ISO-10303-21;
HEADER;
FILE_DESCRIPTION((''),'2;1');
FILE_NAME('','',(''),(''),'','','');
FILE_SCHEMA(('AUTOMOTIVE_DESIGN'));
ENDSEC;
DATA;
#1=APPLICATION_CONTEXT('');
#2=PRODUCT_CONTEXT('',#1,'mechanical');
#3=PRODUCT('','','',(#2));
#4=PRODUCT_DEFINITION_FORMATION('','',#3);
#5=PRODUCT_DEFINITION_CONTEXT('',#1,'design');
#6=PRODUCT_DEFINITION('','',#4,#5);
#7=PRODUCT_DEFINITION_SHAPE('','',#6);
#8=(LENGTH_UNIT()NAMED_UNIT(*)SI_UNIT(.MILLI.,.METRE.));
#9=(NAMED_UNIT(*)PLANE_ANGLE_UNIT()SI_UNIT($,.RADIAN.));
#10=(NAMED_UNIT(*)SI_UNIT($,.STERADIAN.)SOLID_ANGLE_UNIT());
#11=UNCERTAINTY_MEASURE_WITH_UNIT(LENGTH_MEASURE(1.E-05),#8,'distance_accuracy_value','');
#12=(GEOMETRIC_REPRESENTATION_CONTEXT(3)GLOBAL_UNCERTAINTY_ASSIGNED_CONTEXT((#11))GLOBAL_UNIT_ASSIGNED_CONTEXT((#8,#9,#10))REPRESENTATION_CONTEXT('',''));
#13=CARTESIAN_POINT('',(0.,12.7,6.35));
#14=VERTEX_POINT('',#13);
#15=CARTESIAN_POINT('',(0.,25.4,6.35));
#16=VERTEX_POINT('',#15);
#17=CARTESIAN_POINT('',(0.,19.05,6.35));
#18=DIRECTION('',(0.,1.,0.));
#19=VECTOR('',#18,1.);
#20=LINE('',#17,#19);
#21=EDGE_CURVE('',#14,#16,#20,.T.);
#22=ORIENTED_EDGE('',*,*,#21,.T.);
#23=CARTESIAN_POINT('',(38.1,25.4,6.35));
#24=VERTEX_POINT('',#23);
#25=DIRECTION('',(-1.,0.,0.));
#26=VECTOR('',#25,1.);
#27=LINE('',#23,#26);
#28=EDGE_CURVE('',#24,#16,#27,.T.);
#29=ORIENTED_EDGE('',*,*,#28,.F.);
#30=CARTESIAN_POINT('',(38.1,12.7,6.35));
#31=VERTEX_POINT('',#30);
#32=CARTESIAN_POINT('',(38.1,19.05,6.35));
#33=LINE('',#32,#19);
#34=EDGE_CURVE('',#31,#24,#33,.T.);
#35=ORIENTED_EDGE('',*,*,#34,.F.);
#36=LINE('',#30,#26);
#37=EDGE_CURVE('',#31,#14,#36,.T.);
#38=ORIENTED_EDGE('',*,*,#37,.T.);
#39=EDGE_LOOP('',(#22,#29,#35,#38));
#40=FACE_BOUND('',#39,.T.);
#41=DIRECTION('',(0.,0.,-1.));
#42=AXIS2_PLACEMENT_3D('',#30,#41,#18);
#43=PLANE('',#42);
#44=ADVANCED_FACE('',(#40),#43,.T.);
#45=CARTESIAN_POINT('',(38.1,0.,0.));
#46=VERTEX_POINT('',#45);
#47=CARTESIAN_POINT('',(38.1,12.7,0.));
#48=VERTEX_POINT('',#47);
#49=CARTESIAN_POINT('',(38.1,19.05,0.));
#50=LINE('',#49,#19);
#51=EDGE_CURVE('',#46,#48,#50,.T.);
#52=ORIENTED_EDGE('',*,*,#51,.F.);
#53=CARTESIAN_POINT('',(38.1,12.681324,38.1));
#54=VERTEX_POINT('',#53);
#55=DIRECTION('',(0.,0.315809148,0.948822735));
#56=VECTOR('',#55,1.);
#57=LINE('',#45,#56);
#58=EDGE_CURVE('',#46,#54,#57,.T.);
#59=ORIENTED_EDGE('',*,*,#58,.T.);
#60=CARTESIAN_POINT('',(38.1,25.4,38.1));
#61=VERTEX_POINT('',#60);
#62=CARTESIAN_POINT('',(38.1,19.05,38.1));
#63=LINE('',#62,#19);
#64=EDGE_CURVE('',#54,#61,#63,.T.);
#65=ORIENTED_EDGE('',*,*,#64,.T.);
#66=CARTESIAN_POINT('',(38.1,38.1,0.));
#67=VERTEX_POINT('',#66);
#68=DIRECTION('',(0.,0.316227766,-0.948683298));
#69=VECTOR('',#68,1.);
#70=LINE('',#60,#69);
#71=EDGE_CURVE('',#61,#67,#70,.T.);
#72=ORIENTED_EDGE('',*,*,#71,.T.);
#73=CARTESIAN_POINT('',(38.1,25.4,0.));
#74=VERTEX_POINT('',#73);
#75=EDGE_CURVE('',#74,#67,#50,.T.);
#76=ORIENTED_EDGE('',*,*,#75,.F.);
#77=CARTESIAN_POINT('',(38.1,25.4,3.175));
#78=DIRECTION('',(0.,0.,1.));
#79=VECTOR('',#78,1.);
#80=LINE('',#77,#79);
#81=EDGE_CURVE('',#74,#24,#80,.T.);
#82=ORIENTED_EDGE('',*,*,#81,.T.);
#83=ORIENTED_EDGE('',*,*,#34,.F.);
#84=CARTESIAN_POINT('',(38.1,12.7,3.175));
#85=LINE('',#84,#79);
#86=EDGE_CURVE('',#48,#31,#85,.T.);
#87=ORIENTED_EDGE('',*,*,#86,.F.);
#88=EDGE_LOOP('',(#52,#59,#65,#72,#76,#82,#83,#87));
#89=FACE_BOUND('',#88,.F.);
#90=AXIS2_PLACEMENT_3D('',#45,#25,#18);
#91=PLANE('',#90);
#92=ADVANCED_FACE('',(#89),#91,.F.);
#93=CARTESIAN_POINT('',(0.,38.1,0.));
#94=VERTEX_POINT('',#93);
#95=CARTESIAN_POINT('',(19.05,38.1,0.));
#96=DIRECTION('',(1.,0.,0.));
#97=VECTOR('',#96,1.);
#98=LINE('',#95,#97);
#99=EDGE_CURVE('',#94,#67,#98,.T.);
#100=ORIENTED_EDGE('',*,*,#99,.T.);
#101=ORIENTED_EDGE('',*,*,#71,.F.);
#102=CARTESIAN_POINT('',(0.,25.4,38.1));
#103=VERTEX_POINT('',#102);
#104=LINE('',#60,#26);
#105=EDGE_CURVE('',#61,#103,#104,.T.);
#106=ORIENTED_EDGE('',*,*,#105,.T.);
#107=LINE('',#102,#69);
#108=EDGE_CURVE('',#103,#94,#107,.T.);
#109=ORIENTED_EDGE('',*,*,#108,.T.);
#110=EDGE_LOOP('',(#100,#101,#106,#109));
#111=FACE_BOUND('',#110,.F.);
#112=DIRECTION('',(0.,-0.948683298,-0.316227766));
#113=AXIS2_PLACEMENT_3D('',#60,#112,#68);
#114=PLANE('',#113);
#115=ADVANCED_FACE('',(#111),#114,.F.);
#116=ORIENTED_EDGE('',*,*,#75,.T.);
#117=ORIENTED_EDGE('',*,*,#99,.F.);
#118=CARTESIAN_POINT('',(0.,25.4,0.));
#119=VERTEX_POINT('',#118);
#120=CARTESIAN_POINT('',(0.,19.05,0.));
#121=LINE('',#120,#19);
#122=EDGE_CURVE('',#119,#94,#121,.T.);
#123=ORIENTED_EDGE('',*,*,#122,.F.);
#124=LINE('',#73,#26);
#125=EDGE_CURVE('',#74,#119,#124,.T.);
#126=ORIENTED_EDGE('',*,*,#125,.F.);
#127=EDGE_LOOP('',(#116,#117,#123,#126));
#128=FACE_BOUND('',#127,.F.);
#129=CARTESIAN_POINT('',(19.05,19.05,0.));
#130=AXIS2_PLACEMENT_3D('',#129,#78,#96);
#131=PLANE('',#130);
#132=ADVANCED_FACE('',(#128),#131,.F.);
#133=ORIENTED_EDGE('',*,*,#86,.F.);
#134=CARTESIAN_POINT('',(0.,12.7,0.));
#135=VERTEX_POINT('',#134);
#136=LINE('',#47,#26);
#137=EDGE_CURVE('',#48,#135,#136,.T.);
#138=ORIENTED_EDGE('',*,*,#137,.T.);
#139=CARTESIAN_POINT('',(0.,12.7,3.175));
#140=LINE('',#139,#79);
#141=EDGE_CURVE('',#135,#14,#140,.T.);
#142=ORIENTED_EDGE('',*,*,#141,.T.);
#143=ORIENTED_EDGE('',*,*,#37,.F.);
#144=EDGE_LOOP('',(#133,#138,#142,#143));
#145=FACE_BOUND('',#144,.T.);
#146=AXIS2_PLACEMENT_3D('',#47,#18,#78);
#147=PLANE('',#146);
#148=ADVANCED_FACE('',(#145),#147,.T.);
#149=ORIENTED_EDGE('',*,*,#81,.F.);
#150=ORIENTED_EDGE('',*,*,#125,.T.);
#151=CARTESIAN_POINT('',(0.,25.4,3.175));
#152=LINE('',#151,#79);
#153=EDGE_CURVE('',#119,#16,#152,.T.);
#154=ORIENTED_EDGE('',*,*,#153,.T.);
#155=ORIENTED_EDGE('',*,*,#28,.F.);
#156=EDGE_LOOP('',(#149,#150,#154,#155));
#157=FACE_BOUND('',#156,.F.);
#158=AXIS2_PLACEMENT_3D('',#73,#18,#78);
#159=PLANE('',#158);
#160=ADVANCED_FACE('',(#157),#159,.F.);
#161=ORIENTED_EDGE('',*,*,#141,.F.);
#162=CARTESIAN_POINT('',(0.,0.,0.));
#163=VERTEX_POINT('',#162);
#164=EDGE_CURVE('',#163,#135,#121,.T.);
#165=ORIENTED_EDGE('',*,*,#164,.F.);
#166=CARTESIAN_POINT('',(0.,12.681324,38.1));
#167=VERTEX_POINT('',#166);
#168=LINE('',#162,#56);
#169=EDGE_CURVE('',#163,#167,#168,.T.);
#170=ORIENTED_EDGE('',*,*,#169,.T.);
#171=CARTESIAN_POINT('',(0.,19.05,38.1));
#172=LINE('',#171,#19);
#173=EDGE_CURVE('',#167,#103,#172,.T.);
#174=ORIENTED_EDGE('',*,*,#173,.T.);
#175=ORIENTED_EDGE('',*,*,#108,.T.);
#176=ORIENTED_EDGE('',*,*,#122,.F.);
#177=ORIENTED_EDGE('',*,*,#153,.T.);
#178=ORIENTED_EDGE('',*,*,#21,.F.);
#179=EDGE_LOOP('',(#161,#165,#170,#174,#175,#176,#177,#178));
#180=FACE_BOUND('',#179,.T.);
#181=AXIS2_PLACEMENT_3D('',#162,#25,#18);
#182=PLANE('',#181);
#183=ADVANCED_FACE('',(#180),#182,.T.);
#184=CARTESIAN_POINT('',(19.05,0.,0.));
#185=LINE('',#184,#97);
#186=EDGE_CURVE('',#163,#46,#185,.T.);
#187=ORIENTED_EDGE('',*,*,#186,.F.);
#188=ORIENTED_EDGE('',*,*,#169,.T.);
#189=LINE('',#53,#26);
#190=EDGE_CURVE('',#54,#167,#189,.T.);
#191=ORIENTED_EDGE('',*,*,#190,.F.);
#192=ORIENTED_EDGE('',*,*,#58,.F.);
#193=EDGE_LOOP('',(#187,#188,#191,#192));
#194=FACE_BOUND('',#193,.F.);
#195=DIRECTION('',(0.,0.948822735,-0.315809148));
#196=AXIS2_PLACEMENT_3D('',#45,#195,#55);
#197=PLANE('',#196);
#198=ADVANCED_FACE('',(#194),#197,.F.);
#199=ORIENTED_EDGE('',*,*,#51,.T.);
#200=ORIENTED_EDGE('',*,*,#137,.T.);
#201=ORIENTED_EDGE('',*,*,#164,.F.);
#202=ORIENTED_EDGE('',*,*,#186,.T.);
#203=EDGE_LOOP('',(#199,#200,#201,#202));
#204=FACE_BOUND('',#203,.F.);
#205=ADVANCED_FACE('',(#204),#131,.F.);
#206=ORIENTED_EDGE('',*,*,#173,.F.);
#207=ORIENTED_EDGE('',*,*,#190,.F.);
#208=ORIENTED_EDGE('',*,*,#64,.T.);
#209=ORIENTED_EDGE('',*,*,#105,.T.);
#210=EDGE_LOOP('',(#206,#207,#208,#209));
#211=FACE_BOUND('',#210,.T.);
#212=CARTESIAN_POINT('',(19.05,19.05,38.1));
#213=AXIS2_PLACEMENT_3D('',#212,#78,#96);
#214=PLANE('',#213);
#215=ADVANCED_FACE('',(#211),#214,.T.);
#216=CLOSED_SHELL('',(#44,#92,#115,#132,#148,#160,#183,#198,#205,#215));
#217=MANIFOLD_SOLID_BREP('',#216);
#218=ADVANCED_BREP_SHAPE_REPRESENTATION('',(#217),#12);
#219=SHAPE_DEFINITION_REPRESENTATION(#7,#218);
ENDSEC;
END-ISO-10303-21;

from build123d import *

# Parameters (mm, degrees)
F0_W     = 38.1
F0_H     = 38.1
F1_DEPTH = 38.1
F3_DEPTH = 38.1
F2_W     = 12.7
F2_H     = 6.35
F4_DEPTH = 38.1


with BuildPart() as f1:
    # F0 (on Top) → F1 (new body)
    with BuildSketch(Plane.XY):
        with Locations((19.05, 19.05)):
            Rectangle(F0_W, F0_H)
    extrude(amount=F1_DEPTH)

    # F2 (on face) → F3 (cut)
    with BuildSketch(Plane.YZ.offset(38.1)):
        Polygon((0, 38.1), (0, 0), (12.681324, 38.1), align=None)
    extrude(amount=-F3_DEPTH, mode=Mode.SUBTRACT)

    # F2 (on face) → F4 (cut)
    with BuildSketch(Plane.YZ.offset(38.1)):
        Polygon((25.4, 38.1), (38.1, 0), (38.1, 38.1), align=None)
        with Locations((19.05, 3.175)):
            Rectangle(F2_W, F2_H)
        Polygon((0, 38.1), (0, 0), (12.681324, 38.1), align=None)
    extrude(amount=-F4_DEPTH, mode=Mode.SUBTRACT)


solid = f1.part
